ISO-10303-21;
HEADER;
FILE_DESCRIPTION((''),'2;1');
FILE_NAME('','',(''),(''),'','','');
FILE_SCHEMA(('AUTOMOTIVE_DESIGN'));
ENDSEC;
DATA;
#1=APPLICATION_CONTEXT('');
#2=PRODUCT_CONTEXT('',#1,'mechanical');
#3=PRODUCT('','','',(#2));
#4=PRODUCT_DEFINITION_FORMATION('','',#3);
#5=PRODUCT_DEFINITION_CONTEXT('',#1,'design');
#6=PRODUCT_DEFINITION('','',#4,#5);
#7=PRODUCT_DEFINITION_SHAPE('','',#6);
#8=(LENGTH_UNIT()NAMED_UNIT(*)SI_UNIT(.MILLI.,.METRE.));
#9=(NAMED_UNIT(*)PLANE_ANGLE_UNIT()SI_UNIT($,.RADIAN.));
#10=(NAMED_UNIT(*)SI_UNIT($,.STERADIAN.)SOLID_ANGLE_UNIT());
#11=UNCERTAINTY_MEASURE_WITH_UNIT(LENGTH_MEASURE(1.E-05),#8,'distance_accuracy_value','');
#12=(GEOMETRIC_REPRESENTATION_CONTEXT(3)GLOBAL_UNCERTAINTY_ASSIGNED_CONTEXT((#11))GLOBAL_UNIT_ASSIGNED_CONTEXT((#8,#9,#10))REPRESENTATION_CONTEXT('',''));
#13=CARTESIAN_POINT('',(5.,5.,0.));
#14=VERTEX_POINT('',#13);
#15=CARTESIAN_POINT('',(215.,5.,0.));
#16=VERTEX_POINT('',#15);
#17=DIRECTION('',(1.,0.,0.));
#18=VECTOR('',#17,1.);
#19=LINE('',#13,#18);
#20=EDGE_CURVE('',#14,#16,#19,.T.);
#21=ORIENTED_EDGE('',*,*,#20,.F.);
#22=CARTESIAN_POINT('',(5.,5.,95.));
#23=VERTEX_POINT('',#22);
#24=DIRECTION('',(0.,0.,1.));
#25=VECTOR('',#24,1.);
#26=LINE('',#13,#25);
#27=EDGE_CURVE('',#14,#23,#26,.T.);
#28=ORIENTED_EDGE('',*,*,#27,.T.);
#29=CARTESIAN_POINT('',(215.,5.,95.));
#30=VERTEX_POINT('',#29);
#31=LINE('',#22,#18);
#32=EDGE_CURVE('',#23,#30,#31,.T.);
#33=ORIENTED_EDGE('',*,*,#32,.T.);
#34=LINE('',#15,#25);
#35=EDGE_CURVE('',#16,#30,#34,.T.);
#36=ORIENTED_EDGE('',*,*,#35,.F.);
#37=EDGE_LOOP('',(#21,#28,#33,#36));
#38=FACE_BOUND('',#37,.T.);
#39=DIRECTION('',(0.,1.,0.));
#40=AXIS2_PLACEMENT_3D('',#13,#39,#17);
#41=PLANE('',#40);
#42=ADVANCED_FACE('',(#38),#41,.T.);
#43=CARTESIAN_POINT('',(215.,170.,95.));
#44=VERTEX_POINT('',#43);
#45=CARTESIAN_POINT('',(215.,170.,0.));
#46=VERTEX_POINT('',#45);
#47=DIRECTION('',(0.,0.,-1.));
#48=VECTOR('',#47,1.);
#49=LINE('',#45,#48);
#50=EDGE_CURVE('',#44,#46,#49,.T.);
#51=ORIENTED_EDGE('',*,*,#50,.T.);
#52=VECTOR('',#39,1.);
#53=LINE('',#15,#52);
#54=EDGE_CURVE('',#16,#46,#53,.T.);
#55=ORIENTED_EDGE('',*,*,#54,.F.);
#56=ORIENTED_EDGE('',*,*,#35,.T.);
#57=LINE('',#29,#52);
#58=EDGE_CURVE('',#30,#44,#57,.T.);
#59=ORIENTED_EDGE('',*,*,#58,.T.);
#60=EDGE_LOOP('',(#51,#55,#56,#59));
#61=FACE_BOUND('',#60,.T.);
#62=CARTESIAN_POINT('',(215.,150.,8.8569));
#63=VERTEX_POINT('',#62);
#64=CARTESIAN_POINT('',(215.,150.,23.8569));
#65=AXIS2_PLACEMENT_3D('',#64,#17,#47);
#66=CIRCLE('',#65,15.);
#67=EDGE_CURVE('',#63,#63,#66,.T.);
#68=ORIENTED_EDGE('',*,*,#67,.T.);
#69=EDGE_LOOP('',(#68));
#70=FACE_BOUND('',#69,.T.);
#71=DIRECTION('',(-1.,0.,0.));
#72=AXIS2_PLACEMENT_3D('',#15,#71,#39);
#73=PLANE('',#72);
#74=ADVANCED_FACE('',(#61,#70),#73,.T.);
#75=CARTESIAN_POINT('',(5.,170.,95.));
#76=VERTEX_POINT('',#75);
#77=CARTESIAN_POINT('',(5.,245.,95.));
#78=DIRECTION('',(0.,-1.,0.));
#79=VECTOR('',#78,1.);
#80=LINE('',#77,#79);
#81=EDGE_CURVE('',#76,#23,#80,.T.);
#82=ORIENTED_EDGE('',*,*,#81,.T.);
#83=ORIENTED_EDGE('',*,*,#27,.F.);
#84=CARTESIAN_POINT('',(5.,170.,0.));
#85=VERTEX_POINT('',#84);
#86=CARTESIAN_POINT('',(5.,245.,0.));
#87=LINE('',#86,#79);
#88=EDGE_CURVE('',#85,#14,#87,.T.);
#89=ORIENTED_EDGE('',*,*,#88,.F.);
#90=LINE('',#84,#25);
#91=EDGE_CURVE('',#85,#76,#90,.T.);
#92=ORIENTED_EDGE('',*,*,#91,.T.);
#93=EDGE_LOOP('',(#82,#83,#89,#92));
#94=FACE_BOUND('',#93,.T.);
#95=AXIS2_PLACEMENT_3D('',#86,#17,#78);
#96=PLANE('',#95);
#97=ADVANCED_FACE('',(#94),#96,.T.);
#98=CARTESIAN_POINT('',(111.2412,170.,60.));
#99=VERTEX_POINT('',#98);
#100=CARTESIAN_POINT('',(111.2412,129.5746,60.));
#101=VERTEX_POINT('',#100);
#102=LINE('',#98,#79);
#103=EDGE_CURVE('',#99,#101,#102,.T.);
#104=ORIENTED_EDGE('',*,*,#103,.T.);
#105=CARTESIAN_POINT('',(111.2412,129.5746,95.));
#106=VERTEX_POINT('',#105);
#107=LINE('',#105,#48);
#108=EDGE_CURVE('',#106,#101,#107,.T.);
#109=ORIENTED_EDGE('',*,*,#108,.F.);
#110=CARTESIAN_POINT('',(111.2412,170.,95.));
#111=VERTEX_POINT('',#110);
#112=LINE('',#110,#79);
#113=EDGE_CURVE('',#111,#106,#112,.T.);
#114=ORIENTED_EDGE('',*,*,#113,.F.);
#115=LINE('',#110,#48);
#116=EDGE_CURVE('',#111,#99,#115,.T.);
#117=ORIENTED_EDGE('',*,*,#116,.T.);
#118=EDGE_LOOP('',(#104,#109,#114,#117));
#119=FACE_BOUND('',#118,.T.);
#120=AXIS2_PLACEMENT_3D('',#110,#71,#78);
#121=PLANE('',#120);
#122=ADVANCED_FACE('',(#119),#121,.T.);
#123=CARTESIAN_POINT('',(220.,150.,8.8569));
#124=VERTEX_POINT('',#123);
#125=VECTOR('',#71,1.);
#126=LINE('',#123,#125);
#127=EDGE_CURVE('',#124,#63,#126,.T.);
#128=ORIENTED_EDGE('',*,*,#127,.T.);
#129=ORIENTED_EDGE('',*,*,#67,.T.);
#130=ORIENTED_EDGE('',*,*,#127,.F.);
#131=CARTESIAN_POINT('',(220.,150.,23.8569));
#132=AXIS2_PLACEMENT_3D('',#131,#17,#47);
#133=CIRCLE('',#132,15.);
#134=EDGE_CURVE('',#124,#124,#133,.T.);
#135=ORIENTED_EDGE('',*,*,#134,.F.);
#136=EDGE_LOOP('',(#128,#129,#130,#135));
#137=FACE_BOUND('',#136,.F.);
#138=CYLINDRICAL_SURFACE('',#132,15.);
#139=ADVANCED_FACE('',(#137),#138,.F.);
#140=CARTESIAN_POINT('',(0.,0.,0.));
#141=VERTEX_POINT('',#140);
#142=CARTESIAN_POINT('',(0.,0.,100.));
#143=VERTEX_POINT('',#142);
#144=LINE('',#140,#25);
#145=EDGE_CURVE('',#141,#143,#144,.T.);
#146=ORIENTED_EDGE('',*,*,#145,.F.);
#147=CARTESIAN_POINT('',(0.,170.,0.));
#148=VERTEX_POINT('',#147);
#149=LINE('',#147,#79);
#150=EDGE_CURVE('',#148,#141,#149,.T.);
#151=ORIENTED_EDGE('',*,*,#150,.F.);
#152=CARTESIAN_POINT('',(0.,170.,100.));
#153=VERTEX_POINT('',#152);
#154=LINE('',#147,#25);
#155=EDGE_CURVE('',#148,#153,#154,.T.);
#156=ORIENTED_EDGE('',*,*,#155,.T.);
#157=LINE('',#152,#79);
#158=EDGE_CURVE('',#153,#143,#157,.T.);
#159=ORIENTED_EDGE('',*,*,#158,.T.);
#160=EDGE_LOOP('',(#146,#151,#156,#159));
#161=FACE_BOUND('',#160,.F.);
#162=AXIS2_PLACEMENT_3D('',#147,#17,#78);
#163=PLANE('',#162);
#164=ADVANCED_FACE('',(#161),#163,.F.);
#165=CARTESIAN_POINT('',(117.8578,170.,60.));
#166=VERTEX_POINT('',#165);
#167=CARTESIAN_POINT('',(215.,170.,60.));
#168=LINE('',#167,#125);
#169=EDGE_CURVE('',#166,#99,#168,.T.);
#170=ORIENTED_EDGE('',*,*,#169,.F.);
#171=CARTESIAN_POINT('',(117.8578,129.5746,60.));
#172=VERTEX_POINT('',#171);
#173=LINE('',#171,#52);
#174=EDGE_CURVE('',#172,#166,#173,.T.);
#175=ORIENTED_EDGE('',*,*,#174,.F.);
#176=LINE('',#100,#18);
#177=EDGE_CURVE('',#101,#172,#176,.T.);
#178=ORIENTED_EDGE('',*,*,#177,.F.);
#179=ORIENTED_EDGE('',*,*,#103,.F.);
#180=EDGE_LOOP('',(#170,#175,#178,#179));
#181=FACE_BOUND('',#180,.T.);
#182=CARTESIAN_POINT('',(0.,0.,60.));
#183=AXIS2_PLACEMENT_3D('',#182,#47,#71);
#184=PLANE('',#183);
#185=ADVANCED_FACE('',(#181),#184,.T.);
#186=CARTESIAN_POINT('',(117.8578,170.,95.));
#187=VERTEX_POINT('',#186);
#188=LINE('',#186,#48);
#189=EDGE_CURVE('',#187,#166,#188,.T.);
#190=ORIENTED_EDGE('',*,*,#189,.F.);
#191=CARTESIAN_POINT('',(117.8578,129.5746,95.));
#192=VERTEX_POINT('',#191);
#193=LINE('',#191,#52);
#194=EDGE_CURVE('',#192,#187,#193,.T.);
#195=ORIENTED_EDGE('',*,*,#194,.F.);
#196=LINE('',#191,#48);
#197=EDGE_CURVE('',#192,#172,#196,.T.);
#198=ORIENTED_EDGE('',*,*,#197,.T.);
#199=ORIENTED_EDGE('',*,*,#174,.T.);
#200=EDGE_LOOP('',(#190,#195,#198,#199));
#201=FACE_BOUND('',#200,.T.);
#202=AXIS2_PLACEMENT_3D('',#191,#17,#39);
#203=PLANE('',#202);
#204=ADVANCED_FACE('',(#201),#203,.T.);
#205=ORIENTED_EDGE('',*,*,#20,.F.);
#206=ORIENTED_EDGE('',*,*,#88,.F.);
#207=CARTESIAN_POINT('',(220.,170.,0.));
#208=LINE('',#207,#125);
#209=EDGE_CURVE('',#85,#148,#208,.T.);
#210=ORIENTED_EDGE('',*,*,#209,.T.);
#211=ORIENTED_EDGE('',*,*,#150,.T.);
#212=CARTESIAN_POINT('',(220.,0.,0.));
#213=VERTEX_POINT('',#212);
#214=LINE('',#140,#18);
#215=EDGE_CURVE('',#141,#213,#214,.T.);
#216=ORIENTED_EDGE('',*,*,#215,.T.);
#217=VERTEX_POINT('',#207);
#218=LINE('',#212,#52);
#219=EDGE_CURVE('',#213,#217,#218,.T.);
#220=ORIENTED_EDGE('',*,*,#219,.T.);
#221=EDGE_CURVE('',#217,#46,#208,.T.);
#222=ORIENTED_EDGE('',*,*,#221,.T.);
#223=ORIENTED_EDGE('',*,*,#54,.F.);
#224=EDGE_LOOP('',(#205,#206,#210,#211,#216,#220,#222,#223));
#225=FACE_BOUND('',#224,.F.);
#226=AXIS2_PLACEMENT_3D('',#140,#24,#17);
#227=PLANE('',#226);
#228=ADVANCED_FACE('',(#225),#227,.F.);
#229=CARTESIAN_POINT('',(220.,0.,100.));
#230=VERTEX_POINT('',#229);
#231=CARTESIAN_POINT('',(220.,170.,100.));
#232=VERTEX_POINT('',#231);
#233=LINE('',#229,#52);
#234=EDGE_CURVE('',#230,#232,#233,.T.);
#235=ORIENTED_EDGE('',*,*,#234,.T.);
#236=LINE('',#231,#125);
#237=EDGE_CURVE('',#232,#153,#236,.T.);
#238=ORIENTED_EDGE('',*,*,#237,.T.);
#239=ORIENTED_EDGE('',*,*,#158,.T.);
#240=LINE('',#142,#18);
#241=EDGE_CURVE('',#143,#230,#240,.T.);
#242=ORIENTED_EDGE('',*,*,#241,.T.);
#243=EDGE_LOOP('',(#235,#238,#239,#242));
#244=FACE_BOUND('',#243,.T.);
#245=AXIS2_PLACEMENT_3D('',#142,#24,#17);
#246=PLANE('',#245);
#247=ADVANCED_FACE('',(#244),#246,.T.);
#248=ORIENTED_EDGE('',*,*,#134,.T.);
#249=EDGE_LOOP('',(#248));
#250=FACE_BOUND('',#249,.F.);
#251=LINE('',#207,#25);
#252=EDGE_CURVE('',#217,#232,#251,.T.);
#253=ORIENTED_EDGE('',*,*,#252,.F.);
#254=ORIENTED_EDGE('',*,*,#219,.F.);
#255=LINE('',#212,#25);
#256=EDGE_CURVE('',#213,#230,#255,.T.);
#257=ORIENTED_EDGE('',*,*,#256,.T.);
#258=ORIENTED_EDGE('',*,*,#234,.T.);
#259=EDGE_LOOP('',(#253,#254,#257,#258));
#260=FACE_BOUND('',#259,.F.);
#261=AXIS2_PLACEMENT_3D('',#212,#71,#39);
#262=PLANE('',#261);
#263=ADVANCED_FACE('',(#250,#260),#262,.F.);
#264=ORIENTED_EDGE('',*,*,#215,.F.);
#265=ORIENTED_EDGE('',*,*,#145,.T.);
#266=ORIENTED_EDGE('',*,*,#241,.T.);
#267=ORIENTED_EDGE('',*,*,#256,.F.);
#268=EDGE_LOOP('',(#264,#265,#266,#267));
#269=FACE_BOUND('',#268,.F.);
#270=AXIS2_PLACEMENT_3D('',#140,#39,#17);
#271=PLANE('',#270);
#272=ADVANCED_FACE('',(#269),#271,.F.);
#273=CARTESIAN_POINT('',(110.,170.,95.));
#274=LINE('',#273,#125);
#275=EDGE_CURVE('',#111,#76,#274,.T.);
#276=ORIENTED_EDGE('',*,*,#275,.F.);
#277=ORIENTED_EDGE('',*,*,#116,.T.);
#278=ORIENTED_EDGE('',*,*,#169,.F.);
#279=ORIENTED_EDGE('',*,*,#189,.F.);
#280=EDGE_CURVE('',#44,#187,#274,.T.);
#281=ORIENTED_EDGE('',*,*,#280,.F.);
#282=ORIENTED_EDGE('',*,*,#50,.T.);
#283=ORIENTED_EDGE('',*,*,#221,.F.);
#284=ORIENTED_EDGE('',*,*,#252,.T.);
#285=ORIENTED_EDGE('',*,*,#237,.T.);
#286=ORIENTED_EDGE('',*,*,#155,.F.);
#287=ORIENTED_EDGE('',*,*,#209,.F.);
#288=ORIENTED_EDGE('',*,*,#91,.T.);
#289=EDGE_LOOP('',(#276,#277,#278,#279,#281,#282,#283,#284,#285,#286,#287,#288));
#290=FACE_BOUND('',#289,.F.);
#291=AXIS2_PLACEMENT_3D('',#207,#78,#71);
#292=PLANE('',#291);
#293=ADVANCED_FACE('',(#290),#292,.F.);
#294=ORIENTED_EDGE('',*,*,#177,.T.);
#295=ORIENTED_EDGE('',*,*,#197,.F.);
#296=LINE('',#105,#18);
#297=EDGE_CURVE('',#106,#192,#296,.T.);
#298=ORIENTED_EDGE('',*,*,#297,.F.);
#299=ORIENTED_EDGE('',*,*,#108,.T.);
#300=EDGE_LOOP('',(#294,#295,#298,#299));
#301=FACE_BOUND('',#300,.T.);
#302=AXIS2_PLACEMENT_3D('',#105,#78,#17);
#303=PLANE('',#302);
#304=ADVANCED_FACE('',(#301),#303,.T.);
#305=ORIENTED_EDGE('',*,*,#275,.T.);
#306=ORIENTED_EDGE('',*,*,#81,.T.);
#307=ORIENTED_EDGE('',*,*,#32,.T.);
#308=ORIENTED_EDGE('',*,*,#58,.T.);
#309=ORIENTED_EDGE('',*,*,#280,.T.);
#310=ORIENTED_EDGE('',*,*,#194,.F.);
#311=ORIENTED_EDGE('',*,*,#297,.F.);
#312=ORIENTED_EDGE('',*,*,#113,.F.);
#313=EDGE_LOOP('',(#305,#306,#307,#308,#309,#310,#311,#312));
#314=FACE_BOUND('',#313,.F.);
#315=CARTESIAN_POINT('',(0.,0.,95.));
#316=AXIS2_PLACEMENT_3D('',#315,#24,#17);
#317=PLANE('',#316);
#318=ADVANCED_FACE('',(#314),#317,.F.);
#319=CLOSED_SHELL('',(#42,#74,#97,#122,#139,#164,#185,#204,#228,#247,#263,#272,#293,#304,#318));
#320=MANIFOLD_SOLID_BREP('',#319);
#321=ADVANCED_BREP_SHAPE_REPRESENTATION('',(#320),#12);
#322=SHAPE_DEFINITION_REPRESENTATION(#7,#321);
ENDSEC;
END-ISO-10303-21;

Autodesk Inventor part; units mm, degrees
ref_plane "YZ Plane" through (0, 0, 0) normal (1, 0, 0) x (0, 1, 0)
ref_plane "XZ Plane" through (0, 0, 0) normal (0, 1, 0) x (-1, 0, 0)
ref_plane "XY Plane" through (0, 0, 0) normal (0, 0, 1) x (1, 0, 0)
sketch "Sketch1" plane through (0, 0, 0) normal (0, 0, 1) x (1, 0, 0)
  line L0 (0, 0) -> (220, 0)
  line L1 (220, 0) -> (220, 170)
  line L2 (220, 170) -> (0, 170)
  line L3 (0, 170) -> (0, 0)
  dimension "d0" = 220
  dimension "d1" = 170
extrude "Extrusion1" add sketch "Sketch1" along normal blind 100
sketch "Sketch2" plane through (0, 0, 0) normal (0, 0, 1) x (1, 0, 0)
  line L0 (5, 5) -> (215, 5)
  line L1 (215, 5) -> (215, 245)
  line L2 (215, 245) -> (5, 245)
  line L3 (5, 245) -> (5, 5)
  point P0 (0, 0)
  dimension "d4" = 210
  dimension "d5" = 240
  dimension "d8" = 5
  dimension "d13" = 5
extrude "Extrusion2" cut sketch "Sketch2" along normal blind 95
sketch "Sketch3" plane through (220, 0, 0) normal (1, 0, 0) x (0, 0, -1)
  circle A0 centre (-23.8569, 150) radius 15
  line L0 (0, 170) -> (-100, 170) projected
  point P0 (0, 0)
  dimension "d9" = 30
  dimension "d10" = 20
extrude "Extrusion3" cut sketch "Sketch3" against normal blind 45
sketch "Sketch4" plane through (0, 0, 0) normal (-1, 0, 0) x (0, 0, 1)
  circle A0 centre (73.7116, 232.2043) radius 14.7089
  point P0 (0, 0)
extrude "Extrusion4" [suppressed]
sketch "Sketch5" plane through (0, 0, 95) normal (0, 0, -1) x (-1, 0, 0)
  line L0 (-215, 170) -> (-5, 170) projected
  line L1 (-117.8578, 170) -> (-111.2412, 170)
  line L2 (-111.2412, 170) -> (-111.2412, 129.5746)
  line L3 (-111.2412, 129.5746) -> (-117.8578, 129.5746)
  line L4 (-117.8578, 129.5746) -> (-117.8578, 170)
  point P0 (0, 0)
extrude "Extrusion5" add sketch "Sketch5" along normal blind 35
properties part number "corpo"
